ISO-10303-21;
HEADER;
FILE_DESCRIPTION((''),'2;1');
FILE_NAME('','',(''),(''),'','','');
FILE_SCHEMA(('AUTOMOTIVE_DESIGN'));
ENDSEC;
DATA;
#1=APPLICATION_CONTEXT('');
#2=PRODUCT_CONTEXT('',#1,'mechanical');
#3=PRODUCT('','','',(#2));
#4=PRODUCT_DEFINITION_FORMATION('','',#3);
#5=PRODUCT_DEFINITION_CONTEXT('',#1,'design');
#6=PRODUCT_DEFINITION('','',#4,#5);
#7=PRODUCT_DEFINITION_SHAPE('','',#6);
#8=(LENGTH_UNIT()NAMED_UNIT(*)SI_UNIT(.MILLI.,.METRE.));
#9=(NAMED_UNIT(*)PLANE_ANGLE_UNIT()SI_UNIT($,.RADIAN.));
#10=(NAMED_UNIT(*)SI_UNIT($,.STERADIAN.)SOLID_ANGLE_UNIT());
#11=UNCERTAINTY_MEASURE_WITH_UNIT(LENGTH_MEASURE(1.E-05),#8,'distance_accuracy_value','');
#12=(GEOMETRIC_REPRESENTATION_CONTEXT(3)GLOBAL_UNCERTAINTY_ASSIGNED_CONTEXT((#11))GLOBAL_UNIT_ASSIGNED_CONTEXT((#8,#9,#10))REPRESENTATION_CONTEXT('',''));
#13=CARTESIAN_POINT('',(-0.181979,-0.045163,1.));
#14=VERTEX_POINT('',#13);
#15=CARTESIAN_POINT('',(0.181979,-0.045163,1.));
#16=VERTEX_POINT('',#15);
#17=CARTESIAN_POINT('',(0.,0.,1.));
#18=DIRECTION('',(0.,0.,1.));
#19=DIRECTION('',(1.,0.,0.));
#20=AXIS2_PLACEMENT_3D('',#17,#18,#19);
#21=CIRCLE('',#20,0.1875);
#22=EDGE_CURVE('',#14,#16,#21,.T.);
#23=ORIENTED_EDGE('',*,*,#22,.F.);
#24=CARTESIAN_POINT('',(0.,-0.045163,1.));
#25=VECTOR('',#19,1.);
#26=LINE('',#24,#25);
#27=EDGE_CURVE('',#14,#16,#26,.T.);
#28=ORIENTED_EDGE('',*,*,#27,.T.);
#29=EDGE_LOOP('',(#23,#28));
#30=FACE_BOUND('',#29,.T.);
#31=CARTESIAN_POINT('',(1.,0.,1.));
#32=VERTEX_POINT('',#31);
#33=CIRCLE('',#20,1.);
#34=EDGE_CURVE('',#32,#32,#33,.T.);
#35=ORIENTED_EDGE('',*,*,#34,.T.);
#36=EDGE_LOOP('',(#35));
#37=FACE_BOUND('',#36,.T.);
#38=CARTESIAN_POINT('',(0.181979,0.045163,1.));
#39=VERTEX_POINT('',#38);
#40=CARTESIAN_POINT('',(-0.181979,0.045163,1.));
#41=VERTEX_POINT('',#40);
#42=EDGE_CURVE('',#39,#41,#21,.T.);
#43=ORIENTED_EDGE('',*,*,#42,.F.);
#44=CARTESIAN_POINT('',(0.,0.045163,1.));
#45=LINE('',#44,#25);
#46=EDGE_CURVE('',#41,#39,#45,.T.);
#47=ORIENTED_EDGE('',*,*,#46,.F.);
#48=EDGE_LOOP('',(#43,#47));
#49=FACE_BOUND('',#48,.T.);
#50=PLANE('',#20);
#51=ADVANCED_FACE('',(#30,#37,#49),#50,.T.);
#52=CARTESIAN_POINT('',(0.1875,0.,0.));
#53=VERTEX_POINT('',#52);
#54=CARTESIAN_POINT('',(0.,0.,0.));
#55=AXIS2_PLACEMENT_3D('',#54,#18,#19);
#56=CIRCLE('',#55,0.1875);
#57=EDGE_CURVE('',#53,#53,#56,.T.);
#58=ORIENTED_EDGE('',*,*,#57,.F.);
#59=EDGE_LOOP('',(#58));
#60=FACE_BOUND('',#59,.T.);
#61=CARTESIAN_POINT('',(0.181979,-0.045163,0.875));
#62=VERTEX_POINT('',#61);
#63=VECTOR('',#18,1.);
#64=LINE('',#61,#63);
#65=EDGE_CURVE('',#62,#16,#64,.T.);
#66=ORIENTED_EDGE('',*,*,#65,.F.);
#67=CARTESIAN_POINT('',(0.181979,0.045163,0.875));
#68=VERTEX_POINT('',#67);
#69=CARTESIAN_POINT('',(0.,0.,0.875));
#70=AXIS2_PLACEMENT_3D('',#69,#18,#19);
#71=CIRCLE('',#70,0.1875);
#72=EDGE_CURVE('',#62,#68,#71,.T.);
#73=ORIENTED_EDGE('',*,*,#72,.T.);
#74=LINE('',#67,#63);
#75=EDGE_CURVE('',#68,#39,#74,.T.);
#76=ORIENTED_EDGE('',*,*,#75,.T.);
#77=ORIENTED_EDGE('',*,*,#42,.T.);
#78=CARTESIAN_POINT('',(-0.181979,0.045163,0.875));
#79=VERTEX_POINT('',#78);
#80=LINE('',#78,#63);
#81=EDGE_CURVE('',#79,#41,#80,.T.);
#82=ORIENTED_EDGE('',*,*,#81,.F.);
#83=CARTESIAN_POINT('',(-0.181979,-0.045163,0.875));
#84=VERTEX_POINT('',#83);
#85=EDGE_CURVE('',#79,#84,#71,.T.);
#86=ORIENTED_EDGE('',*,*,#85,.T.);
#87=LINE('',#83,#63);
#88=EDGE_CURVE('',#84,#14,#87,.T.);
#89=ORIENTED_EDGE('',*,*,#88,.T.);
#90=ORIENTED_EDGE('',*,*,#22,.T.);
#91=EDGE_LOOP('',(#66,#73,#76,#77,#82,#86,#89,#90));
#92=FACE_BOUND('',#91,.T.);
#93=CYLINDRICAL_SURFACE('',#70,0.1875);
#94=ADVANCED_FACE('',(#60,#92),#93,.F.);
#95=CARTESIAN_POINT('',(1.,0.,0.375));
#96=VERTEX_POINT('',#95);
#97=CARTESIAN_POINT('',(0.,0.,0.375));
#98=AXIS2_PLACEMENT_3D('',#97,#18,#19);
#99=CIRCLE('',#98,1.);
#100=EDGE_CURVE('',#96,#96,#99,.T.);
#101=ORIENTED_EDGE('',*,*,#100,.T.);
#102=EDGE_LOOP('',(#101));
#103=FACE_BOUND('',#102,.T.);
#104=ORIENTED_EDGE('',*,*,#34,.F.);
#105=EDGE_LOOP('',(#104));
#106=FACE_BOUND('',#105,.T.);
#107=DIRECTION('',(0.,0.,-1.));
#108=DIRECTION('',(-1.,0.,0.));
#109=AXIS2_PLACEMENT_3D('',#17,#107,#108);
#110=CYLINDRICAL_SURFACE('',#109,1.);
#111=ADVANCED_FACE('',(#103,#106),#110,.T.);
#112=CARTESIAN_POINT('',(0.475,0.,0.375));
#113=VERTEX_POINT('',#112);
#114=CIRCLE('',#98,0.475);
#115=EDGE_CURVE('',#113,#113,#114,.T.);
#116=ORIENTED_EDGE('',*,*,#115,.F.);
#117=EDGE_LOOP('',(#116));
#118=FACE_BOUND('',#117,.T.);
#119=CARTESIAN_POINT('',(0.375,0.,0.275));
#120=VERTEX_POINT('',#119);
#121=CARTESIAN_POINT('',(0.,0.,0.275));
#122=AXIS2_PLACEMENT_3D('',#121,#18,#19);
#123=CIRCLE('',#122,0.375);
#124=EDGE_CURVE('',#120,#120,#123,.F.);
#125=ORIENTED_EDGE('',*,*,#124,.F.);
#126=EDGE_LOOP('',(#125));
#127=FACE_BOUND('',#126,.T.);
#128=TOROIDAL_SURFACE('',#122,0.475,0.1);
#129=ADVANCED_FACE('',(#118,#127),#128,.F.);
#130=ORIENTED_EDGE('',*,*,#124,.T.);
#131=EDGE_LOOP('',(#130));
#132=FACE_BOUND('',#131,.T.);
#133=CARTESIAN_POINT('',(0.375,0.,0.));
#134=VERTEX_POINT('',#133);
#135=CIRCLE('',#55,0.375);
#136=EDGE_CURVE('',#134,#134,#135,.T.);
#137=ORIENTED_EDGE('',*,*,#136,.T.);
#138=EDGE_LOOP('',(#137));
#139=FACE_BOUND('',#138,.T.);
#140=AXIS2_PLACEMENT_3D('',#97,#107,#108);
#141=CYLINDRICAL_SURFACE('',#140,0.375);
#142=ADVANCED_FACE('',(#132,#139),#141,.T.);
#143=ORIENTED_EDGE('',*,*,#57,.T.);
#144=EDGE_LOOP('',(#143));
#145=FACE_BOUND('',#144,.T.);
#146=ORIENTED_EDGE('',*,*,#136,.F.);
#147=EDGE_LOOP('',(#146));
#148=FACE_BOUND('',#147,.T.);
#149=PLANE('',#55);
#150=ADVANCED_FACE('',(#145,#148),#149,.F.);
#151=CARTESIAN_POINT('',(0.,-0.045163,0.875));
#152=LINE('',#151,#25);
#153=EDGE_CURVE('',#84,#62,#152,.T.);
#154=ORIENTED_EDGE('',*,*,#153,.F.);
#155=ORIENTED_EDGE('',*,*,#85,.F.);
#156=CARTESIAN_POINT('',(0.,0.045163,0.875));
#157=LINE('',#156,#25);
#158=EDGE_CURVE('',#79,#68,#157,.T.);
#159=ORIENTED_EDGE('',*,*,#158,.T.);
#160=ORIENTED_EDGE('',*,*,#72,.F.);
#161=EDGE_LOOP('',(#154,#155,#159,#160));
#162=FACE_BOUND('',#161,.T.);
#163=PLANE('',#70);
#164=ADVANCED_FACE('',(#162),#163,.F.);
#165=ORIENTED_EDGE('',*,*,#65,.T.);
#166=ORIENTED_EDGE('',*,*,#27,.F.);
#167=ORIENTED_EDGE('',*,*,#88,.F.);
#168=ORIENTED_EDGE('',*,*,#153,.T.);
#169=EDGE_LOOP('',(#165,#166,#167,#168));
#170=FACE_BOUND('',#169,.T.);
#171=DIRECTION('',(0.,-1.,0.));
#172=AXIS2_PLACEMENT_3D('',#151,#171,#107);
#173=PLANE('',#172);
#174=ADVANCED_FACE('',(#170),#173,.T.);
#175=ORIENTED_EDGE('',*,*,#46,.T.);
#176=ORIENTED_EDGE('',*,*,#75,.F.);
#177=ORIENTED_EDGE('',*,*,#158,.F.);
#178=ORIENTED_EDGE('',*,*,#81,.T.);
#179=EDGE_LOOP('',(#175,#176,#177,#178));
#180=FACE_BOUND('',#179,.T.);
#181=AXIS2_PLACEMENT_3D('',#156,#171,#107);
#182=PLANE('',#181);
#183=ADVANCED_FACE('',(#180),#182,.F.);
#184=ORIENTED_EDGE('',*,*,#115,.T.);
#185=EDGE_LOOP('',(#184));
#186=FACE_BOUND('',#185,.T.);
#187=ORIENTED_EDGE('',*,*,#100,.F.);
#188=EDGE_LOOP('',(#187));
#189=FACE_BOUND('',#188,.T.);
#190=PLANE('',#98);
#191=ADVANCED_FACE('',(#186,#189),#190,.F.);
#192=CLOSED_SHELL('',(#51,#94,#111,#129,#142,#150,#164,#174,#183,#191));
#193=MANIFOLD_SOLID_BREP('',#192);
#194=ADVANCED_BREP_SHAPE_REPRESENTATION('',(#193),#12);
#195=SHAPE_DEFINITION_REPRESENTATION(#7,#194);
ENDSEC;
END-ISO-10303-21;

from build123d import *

# Parameters (mm, degrees)
SKETCH1_R           = 1
BOSS_EXTRUDE1_DEPTH = 1
SKETCH2_R           = 1
SKETCH2_R_2         = 0.375
CUT_EXTRUDE1_DEPTH  = 0.375
FILLET1_R           = 0.1
CUT_EXTRUDE2_DEPTH  = 0.125
CUT_EXTRUDE3_START  = 0.875
SKETCH4_R           = 0.1875
CUT_EXTRUDE3_DEPTH  = 0.875


with BuildPart() as part:
    # Sketch1 → Boss-Extrude1 (new body)
    with BuildSketch(Plane.XY):
        Circle(SKETCH1_R)
    extrude(amount=BOSS_EXTRUDE1_DEPTH)

    # Sketch2 → Cut-Extrude1 (cut)
    with BuildSketch(Plane.XY):
        Circle(SKETCH2_R)
        Circle(SKETCH2_R_2, mode=Mode.SUBTRACT)
    extrude(amount=CUT_EXTRUDE1_DEPTH, mode=Mode.SUBTRACT)

    # Fillet1
    fillet1_edges = [part.edges().sort_by_distance(p)[0] for p in [
        (-0.375, 0, 0.375),
    ]]
    fillet(fillet1_edges, radius=FILLET1_R)

    # Sketch3 → Cut-Extrude2 (cut)
    with BuildSketch(Plane.XY.offset(1)):
        with BuildLine():
            Line((-0.181979478, 0.045163255), (0, 0.045163255))
            Line((0, 0.045163255), (0.181979478, 0.045163255))
            ThreePointArc((0.181979478, 0.045163255), (0, 0.1875), (-0.181979478, 0.045163255))
        make_face()
        with BuildLine():
            Line((0.181979478, -0.045163255), (0, -0.045163255))
            Line((0, -0.045163255), (-0.181979478, -0.045163255))
            ThreePointArc((-0.181979478, -0.045163255), (0, -0.1875), (0.181979478, -0.045163255))
        make_face()
    extrude(amount=-CUT_EXTRUDE2_DEPTH, mode=Mode.SUBTRACT)

    # Sketch4 → Cut-Extrude3 (cut)
    with BuildSketch(Plane.XY.offset(CUT_EXTRUDE3_START)):
        Circle(SKETCH4_R)
    extrude(amount=-CUT_EXTRUDE3_DEPTH, mode=Mode.SUBTRACT)


solid = part.part
